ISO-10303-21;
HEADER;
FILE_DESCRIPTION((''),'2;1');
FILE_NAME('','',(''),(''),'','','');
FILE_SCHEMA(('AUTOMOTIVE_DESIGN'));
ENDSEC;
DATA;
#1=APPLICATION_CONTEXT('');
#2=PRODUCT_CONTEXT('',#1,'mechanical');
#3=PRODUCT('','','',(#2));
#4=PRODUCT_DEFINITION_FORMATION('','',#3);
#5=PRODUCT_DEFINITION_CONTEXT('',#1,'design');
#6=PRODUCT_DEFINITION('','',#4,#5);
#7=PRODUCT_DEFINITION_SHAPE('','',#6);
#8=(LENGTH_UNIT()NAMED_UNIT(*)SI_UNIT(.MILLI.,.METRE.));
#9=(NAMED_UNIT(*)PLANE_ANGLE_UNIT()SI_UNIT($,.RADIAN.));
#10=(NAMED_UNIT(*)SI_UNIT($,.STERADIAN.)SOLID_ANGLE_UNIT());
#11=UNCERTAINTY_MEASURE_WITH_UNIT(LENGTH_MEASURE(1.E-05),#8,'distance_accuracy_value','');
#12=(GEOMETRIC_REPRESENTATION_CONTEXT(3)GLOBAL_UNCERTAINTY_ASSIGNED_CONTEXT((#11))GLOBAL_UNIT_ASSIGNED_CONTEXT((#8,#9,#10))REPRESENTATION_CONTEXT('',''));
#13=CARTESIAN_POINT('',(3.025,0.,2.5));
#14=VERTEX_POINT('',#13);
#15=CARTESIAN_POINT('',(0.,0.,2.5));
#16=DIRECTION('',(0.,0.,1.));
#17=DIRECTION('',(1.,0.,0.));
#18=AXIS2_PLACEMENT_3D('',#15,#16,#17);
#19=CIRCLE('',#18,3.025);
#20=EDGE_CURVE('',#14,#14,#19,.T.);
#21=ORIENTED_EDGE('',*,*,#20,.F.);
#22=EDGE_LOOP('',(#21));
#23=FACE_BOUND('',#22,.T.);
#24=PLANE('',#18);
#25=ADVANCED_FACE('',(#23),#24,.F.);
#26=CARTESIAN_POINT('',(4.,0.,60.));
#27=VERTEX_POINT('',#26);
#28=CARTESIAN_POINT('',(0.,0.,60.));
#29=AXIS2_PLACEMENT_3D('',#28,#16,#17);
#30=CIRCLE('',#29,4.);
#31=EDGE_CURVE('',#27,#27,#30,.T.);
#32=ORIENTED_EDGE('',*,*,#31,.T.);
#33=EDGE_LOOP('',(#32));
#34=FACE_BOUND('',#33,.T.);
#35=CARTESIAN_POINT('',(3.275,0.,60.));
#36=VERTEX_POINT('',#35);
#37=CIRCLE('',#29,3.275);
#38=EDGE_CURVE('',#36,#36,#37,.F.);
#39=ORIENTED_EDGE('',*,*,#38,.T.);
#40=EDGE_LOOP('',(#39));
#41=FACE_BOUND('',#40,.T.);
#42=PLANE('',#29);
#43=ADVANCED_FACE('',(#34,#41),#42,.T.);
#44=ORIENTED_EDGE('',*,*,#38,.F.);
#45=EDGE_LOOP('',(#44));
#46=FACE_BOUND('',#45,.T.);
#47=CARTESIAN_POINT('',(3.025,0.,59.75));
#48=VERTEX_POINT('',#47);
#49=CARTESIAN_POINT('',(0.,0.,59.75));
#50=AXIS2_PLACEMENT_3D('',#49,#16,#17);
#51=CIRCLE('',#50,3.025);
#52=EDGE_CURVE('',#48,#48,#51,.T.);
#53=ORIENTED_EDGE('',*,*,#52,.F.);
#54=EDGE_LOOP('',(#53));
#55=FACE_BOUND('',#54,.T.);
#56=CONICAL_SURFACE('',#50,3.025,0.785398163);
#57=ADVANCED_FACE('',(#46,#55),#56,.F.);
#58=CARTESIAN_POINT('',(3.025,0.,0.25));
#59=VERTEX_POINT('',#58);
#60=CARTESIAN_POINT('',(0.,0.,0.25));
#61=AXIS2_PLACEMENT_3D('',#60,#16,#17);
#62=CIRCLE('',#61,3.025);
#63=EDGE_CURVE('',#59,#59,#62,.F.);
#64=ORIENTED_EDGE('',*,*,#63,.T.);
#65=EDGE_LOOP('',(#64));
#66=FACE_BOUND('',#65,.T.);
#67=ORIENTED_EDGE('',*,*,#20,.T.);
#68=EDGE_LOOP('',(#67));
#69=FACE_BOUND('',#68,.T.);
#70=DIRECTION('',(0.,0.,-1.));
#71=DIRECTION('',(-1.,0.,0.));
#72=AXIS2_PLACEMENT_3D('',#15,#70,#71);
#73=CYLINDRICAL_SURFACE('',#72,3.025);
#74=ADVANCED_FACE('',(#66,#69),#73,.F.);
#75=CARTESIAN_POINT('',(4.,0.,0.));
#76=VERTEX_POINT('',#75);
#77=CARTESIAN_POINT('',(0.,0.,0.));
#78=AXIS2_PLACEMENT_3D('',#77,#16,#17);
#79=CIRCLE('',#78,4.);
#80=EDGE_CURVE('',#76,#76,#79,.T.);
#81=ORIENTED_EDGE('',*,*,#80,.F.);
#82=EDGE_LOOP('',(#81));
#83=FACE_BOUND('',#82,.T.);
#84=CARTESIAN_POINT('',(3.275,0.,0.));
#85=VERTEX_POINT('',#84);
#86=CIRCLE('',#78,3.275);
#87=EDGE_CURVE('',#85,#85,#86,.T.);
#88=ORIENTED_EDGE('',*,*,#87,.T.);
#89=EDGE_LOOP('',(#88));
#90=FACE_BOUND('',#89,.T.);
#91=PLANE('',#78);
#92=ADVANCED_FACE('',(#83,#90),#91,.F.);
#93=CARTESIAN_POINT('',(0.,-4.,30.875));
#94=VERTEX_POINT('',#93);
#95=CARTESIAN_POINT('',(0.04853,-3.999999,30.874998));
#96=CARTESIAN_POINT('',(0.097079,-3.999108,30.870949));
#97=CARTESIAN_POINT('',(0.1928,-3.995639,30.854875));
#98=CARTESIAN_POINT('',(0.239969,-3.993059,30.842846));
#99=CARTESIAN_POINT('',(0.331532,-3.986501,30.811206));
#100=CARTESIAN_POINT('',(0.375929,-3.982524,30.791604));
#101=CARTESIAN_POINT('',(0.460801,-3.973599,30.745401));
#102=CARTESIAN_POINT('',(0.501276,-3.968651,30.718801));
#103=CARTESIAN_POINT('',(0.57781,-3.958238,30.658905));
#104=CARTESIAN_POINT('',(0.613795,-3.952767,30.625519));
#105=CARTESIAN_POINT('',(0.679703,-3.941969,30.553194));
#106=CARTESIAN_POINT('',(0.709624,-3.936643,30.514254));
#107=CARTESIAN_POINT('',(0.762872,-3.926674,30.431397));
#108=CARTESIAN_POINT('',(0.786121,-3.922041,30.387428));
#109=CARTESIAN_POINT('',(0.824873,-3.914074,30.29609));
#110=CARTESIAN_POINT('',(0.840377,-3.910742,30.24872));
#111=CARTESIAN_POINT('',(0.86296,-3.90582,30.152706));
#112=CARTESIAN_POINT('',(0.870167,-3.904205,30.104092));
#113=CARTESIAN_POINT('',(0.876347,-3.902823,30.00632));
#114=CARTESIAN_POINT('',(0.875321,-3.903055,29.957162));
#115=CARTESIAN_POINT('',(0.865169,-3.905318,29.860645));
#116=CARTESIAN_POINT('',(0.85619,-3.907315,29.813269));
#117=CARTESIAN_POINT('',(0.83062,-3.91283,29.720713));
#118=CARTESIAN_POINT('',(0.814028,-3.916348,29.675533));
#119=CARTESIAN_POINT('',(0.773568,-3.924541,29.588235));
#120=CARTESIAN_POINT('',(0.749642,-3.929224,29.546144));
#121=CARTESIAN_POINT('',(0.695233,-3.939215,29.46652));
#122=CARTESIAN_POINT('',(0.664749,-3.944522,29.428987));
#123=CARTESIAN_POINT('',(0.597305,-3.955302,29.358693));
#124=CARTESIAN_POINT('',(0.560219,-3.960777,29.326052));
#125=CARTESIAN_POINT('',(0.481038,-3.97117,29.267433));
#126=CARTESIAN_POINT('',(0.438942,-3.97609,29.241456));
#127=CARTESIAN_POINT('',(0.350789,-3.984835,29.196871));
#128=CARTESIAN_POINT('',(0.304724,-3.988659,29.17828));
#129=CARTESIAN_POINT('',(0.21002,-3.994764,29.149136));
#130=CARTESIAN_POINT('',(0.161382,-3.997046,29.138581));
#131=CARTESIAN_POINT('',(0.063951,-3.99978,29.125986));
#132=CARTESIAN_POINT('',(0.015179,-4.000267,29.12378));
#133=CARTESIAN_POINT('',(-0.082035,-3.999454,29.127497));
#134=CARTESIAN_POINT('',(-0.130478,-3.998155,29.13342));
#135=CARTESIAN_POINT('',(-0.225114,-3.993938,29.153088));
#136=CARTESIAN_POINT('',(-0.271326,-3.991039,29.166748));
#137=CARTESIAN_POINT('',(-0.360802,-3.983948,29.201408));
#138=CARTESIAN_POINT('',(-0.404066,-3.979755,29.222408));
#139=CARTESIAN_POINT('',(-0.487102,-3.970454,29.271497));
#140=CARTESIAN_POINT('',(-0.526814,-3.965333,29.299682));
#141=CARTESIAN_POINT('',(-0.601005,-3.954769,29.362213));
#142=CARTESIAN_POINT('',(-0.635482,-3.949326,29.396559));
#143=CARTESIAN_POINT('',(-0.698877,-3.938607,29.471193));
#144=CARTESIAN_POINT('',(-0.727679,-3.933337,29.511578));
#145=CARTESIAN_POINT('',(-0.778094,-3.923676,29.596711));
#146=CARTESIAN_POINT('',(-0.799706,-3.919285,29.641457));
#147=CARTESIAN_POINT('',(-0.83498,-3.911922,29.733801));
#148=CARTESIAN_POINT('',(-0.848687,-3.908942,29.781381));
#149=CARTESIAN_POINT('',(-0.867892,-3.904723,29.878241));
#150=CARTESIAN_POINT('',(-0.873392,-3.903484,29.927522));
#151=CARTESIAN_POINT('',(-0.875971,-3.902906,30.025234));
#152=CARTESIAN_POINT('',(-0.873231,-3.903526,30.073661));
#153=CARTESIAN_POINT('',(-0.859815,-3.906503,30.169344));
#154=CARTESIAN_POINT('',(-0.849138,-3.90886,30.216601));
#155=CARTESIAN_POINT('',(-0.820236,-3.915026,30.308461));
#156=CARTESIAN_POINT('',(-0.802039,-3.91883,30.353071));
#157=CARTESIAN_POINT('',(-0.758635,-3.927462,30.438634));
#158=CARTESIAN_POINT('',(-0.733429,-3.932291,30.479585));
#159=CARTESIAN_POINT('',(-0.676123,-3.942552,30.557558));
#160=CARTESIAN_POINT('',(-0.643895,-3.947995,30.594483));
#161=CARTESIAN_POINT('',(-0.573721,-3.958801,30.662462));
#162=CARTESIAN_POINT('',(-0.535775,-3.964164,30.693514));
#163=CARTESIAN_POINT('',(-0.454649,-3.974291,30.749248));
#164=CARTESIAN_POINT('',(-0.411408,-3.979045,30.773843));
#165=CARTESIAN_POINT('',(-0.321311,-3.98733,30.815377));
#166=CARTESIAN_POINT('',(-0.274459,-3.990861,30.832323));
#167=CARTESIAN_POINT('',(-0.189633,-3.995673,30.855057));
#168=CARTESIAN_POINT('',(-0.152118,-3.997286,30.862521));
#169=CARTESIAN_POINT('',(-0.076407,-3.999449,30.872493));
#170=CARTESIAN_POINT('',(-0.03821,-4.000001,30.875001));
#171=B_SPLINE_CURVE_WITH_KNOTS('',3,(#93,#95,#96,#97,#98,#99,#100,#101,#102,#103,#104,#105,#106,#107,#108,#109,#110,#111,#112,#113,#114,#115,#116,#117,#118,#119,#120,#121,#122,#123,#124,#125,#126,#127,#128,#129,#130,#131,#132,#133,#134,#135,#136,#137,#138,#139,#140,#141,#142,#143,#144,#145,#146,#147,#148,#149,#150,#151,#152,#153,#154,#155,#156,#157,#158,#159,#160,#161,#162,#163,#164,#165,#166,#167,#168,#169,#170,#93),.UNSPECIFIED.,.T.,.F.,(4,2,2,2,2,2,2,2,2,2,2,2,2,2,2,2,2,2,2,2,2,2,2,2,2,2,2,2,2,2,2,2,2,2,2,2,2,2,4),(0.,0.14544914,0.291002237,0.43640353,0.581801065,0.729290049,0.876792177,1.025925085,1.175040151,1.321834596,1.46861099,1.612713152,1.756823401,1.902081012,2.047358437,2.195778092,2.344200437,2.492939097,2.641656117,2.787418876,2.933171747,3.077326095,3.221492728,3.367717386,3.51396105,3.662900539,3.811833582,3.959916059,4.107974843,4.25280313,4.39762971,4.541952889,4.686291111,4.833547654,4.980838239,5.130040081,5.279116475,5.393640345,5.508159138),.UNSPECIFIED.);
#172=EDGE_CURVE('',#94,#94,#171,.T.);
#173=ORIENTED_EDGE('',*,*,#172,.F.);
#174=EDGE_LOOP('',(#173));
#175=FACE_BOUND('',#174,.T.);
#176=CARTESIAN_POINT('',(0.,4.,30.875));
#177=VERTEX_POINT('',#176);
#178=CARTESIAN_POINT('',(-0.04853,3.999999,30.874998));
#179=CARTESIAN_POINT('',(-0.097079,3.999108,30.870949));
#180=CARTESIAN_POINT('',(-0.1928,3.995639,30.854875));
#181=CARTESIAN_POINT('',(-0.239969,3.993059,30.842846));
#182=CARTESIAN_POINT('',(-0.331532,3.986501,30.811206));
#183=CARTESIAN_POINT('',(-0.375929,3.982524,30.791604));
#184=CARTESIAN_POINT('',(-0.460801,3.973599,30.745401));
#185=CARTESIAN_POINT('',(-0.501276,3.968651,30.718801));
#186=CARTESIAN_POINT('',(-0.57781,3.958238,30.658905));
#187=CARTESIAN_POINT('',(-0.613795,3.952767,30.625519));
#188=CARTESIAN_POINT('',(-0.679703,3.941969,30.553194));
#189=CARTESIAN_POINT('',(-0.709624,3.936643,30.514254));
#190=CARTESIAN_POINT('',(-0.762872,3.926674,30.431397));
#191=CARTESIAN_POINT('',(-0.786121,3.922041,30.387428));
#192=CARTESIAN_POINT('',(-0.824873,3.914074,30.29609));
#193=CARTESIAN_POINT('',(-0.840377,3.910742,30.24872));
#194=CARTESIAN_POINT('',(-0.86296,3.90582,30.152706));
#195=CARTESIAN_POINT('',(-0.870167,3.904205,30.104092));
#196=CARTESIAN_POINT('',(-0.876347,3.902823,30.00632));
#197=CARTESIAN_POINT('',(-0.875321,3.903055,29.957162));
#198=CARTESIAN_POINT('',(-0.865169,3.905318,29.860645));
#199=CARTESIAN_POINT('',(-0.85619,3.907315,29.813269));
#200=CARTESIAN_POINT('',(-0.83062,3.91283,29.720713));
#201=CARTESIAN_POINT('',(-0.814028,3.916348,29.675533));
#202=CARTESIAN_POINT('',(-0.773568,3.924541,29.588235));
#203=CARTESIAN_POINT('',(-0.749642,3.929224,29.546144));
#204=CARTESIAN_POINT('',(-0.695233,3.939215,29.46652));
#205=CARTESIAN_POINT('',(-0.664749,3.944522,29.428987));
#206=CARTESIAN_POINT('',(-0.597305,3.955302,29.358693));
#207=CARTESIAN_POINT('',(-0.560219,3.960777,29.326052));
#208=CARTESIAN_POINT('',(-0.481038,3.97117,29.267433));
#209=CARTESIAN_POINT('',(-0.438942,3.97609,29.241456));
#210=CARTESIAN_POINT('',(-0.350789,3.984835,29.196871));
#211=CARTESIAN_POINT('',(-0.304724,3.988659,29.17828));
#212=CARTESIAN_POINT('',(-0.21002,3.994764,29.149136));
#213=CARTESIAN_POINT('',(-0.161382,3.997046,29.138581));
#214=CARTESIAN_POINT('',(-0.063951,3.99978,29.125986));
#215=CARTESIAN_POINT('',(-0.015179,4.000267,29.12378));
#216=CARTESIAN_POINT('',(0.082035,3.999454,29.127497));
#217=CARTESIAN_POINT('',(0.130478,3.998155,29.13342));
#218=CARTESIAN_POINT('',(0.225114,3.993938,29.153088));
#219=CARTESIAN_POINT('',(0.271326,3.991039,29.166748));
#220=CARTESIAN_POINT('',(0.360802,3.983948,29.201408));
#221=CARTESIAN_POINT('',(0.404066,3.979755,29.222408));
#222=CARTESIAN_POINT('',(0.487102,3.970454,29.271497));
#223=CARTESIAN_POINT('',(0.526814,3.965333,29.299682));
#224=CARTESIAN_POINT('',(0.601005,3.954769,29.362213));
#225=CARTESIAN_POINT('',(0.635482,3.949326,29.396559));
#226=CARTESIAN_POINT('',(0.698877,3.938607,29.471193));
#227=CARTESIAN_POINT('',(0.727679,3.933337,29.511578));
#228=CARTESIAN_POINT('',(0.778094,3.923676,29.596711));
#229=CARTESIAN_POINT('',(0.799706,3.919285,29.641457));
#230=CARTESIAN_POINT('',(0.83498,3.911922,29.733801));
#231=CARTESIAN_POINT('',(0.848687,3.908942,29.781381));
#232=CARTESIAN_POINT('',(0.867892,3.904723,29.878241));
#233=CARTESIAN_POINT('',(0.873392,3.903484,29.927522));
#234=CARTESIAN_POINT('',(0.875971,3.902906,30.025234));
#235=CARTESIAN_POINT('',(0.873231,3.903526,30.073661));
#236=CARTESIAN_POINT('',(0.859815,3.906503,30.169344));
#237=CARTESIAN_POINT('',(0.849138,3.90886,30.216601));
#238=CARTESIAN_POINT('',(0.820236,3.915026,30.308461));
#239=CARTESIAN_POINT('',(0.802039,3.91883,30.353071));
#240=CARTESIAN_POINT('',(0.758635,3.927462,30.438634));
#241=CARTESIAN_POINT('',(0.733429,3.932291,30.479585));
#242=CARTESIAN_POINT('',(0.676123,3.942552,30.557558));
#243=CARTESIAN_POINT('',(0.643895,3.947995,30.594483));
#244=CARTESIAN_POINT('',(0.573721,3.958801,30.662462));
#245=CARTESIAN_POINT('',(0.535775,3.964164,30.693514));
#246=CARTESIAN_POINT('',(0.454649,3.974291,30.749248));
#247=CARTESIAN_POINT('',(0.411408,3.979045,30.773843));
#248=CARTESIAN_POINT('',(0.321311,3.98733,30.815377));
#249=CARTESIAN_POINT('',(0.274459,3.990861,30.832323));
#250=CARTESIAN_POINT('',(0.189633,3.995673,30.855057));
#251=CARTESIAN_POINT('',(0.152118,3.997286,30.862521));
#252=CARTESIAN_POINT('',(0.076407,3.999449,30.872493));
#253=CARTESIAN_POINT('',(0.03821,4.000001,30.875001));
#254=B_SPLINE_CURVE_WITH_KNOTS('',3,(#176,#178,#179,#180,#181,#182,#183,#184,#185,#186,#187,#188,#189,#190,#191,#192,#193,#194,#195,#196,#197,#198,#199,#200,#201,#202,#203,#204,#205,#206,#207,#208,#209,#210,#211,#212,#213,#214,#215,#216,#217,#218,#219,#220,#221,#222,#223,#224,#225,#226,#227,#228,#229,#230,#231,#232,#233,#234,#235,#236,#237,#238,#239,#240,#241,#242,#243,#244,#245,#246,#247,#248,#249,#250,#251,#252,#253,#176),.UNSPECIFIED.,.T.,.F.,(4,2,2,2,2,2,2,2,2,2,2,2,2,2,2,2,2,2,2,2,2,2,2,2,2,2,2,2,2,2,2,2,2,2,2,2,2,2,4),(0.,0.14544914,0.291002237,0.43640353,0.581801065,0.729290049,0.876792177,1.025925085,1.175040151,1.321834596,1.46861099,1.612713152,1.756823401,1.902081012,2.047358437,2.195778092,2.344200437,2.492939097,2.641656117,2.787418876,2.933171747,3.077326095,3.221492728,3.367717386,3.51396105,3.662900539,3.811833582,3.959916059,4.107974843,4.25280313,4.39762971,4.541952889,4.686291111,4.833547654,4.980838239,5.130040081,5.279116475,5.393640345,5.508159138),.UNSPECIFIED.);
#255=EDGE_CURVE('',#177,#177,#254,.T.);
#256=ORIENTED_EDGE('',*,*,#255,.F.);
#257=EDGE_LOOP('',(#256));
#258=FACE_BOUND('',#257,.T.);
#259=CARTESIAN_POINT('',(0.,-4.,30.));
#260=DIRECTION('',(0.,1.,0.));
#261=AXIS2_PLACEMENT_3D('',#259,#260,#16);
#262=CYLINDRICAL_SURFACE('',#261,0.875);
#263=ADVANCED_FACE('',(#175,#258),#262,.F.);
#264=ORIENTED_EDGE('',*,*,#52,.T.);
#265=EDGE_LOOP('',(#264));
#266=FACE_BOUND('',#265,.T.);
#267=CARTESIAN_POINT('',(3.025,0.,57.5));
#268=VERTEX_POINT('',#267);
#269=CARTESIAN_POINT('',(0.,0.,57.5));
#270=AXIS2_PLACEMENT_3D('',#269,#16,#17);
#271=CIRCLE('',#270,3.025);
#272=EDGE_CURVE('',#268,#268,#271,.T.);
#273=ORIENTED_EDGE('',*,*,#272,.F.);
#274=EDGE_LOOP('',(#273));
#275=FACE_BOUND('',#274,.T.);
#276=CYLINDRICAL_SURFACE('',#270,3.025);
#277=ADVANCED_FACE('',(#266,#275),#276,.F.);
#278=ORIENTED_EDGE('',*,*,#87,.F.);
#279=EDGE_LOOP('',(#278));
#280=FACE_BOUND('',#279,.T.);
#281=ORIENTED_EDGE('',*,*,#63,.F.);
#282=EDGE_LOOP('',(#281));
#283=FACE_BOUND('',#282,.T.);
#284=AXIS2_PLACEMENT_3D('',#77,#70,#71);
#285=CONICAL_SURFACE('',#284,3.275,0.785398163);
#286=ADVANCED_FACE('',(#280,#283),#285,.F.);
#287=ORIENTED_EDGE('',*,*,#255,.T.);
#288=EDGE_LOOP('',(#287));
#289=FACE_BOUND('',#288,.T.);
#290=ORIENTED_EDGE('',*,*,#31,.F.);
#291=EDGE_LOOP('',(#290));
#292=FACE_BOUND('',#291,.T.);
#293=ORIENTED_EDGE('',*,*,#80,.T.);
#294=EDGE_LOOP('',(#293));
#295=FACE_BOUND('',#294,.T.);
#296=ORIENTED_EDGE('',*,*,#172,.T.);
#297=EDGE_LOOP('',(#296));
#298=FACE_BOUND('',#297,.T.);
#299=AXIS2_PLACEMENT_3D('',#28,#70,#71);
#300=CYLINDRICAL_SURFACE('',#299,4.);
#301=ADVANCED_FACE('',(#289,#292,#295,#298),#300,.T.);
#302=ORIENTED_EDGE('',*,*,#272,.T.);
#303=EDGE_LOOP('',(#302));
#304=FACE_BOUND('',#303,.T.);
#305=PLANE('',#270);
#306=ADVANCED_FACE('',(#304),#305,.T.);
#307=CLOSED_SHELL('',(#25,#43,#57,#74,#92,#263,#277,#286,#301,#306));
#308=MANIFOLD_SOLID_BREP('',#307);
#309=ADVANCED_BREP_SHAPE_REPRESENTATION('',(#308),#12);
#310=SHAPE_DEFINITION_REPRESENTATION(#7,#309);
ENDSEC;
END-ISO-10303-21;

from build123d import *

# Parameters (mm, degrees)
SKETCH1_R               = 4
SKETCH1_R_2             = 3.025
BOSS_EXTRUDE1_DEPTH     = 60
SKETCH1_3_R             = 3.025
CUT_EXTRUDE1_DEPTH      = 2.5
CUT_EXTRUDE2_START      = 60
SKETCH1_4_R             = 3.025
CUT_EXTRUDE2_DEPTH      = 2.5
CHAMFER1_SIZE           = 0.25
SKETCH2_R               = 0.875
CUT_EXTRUDE3_DEPTH      = 61.266076693
CUT_EXTRUDE3_DEPTH_BACK = 61.266076693


with BuildPart() as part:
    # Sketch1 → Boss-Extrude1 (new body)
    with BuildSketch(Plane.XY):
        Circle(SKETCH1_R)
        Circle(SKETCH1_R_2, mode=Mode.SUBTRACT)
        Circle(SKETCH1_R_2)
    extrude(amount=BOSS_EXTRUDE1_DEPTH)

    # Sketch1<3> → Cut-Extrude1 (cut)
    with BuildSketch(Plane.XY):
        Circle(SKETCH1_3_R)
    extrude(amount=CUT_EXTRUDE1_DEPTH, mode=Mode.SUBTRACT)

    # Sketch1<4> → Cut-Extrude2 (cut)
    with BuildSketch(Plane.XY.offset(CUT_EXTRUDE2_START)):
        Circle(SKETCH1_4_R)
    extrude(amount=-CUT_EXTRUDE2_DEPTH, mode=Mode.SUBTRACT)

    # Chamfer1
    chamfer1_edges = [part.edges().sort_by_distance(p)[0] for p in [
        (-3.025, 0, 0),
        (-3.025, 0, 60),
    ]]
    chamfer(chamfer1_edges, length=CHAMFER1_SIZE)

    # Sketch2 → Cut-Extrude3 (cut, two sides)
    with BuildSketch(Plane(origin=(0, 0, 0), x_dir=(1, 0, 0), z_dir=(0, 1, 0))) as cut_extrude3_sk:
        with Locations(Location((0, -30, 0), (0, 0, 270))):
            Circle(SKETCH2_R)
    extrude(amount=CUT_EXTRUDE3_DEPTH, mode=Mode.SUBTRACT)
    extrude(cut_extrude3_sk.sketch, amount=-CUT_EXTRUDE3_DEPTH_BACK, mode=Mode.SUBTRACT)


solid = part.part
